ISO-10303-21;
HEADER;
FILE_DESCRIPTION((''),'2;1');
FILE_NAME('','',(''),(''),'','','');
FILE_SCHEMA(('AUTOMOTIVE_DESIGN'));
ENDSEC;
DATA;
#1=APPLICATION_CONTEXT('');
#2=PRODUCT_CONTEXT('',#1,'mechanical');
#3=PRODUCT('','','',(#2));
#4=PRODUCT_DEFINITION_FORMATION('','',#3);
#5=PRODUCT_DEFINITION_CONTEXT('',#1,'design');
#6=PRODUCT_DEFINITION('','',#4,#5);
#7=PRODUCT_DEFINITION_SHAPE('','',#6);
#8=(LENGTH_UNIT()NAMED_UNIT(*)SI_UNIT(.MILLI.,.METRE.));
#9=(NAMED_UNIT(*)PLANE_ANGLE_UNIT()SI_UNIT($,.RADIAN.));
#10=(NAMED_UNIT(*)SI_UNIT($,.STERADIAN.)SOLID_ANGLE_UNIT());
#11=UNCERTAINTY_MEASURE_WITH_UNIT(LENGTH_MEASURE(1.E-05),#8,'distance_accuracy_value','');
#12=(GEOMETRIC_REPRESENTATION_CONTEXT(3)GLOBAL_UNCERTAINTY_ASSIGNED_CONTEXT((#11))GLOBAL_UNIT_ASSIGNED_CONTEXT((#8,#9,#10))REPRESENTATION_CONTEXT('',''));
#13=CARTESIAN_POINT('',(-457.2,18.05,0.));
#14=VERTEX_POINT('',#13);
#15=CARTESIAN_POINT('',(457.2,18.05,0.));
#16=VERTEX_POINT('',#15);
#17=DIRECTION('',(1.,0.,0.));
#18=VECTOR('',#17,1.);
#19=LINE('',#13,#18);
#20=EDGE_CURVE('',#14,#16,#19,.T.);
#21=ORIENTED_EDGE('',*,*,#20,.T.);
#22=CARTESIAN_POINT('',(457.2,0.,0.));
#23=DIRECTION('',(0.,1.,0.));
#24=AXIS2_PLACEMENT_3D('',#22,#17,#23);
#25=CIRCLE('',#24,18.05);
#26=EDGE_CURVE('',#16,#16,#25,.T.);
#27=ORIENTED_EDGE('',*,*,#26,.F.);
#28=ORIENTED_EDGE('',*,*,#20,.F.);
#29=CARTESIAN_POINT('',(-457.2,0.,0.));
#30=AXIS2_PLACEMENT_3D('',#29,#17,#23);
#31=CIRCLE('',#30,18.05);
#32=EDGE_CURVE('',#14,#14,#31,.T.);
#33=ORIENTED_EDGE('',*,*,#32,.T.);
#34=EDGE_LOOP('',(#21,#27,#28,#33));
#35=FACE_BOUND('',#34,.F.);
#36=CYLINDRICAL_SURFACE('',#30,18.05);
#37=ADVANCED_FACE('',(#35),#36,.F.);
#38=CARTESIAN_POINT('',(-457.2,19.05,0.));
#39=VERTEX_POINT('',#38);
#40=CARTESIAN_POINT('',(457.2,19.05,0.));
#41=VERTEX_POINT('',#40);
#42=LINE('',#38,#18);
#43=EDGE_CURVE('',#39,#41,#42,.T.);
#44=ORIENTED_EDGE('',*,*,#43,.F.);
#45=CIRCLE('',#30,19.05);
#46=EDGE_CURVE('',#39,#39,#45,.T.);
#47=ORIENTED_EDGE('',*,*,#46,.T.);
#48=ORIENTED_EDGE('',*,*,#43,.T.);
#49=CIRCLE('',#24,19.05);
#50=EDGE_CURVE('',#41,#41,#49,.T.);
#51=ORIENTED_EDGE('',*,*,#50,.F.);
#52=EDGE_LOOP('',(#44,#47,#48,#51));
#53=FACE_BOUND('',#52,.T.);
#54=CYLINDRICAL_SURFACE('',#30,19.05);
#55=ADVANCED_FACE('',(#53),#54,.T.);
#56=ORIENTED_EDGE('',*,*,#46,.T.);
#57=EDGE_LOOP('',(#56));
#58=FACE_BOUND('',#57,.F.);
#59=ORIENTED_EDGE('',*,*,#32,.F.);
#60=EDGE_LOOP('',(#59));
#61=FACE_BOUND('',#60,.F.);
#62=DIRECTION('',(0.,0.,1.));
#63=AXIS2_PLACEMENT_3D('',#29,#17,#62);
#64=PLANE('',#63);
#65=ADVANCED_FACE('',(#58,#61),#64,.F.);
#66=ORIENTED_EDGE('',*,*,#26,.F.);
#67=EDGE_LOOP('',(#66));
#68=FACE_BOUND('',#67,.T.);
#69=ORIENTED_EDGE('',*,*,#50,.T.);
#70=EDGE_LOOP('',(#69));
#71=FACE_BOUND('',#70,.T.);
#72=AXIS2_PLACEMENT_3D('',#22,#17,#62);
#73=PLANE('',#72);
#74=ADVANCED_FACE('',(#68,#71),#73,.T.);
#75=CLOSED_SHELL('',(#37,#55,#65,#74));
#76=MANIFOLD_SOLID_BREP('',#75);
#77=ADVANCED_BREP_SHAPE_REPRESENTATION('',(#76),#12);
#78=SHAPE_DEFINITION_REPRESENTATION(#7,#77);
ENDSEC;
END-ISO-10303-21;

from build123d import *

# Parameters (mm, degrees)
F2_R   = 19.05
F2_R_2 = 18.05


with BuildPart() as f3:
    # F3: sweep along a path in F0
    with BuildLine(Plane.XY) as f3_path:
        Line((-457.2, 0), (457.2, 0))
    # F2 (on face) → F3 (sweep)
    with BuildSketch(Plane.YZ.offset(-457.2)):
        Circle(F2_R)
        Circle(F2_R_2, mode=Mode.SUBTRACT)
    sweep(path=f3_path.line)


solid = f3.part
